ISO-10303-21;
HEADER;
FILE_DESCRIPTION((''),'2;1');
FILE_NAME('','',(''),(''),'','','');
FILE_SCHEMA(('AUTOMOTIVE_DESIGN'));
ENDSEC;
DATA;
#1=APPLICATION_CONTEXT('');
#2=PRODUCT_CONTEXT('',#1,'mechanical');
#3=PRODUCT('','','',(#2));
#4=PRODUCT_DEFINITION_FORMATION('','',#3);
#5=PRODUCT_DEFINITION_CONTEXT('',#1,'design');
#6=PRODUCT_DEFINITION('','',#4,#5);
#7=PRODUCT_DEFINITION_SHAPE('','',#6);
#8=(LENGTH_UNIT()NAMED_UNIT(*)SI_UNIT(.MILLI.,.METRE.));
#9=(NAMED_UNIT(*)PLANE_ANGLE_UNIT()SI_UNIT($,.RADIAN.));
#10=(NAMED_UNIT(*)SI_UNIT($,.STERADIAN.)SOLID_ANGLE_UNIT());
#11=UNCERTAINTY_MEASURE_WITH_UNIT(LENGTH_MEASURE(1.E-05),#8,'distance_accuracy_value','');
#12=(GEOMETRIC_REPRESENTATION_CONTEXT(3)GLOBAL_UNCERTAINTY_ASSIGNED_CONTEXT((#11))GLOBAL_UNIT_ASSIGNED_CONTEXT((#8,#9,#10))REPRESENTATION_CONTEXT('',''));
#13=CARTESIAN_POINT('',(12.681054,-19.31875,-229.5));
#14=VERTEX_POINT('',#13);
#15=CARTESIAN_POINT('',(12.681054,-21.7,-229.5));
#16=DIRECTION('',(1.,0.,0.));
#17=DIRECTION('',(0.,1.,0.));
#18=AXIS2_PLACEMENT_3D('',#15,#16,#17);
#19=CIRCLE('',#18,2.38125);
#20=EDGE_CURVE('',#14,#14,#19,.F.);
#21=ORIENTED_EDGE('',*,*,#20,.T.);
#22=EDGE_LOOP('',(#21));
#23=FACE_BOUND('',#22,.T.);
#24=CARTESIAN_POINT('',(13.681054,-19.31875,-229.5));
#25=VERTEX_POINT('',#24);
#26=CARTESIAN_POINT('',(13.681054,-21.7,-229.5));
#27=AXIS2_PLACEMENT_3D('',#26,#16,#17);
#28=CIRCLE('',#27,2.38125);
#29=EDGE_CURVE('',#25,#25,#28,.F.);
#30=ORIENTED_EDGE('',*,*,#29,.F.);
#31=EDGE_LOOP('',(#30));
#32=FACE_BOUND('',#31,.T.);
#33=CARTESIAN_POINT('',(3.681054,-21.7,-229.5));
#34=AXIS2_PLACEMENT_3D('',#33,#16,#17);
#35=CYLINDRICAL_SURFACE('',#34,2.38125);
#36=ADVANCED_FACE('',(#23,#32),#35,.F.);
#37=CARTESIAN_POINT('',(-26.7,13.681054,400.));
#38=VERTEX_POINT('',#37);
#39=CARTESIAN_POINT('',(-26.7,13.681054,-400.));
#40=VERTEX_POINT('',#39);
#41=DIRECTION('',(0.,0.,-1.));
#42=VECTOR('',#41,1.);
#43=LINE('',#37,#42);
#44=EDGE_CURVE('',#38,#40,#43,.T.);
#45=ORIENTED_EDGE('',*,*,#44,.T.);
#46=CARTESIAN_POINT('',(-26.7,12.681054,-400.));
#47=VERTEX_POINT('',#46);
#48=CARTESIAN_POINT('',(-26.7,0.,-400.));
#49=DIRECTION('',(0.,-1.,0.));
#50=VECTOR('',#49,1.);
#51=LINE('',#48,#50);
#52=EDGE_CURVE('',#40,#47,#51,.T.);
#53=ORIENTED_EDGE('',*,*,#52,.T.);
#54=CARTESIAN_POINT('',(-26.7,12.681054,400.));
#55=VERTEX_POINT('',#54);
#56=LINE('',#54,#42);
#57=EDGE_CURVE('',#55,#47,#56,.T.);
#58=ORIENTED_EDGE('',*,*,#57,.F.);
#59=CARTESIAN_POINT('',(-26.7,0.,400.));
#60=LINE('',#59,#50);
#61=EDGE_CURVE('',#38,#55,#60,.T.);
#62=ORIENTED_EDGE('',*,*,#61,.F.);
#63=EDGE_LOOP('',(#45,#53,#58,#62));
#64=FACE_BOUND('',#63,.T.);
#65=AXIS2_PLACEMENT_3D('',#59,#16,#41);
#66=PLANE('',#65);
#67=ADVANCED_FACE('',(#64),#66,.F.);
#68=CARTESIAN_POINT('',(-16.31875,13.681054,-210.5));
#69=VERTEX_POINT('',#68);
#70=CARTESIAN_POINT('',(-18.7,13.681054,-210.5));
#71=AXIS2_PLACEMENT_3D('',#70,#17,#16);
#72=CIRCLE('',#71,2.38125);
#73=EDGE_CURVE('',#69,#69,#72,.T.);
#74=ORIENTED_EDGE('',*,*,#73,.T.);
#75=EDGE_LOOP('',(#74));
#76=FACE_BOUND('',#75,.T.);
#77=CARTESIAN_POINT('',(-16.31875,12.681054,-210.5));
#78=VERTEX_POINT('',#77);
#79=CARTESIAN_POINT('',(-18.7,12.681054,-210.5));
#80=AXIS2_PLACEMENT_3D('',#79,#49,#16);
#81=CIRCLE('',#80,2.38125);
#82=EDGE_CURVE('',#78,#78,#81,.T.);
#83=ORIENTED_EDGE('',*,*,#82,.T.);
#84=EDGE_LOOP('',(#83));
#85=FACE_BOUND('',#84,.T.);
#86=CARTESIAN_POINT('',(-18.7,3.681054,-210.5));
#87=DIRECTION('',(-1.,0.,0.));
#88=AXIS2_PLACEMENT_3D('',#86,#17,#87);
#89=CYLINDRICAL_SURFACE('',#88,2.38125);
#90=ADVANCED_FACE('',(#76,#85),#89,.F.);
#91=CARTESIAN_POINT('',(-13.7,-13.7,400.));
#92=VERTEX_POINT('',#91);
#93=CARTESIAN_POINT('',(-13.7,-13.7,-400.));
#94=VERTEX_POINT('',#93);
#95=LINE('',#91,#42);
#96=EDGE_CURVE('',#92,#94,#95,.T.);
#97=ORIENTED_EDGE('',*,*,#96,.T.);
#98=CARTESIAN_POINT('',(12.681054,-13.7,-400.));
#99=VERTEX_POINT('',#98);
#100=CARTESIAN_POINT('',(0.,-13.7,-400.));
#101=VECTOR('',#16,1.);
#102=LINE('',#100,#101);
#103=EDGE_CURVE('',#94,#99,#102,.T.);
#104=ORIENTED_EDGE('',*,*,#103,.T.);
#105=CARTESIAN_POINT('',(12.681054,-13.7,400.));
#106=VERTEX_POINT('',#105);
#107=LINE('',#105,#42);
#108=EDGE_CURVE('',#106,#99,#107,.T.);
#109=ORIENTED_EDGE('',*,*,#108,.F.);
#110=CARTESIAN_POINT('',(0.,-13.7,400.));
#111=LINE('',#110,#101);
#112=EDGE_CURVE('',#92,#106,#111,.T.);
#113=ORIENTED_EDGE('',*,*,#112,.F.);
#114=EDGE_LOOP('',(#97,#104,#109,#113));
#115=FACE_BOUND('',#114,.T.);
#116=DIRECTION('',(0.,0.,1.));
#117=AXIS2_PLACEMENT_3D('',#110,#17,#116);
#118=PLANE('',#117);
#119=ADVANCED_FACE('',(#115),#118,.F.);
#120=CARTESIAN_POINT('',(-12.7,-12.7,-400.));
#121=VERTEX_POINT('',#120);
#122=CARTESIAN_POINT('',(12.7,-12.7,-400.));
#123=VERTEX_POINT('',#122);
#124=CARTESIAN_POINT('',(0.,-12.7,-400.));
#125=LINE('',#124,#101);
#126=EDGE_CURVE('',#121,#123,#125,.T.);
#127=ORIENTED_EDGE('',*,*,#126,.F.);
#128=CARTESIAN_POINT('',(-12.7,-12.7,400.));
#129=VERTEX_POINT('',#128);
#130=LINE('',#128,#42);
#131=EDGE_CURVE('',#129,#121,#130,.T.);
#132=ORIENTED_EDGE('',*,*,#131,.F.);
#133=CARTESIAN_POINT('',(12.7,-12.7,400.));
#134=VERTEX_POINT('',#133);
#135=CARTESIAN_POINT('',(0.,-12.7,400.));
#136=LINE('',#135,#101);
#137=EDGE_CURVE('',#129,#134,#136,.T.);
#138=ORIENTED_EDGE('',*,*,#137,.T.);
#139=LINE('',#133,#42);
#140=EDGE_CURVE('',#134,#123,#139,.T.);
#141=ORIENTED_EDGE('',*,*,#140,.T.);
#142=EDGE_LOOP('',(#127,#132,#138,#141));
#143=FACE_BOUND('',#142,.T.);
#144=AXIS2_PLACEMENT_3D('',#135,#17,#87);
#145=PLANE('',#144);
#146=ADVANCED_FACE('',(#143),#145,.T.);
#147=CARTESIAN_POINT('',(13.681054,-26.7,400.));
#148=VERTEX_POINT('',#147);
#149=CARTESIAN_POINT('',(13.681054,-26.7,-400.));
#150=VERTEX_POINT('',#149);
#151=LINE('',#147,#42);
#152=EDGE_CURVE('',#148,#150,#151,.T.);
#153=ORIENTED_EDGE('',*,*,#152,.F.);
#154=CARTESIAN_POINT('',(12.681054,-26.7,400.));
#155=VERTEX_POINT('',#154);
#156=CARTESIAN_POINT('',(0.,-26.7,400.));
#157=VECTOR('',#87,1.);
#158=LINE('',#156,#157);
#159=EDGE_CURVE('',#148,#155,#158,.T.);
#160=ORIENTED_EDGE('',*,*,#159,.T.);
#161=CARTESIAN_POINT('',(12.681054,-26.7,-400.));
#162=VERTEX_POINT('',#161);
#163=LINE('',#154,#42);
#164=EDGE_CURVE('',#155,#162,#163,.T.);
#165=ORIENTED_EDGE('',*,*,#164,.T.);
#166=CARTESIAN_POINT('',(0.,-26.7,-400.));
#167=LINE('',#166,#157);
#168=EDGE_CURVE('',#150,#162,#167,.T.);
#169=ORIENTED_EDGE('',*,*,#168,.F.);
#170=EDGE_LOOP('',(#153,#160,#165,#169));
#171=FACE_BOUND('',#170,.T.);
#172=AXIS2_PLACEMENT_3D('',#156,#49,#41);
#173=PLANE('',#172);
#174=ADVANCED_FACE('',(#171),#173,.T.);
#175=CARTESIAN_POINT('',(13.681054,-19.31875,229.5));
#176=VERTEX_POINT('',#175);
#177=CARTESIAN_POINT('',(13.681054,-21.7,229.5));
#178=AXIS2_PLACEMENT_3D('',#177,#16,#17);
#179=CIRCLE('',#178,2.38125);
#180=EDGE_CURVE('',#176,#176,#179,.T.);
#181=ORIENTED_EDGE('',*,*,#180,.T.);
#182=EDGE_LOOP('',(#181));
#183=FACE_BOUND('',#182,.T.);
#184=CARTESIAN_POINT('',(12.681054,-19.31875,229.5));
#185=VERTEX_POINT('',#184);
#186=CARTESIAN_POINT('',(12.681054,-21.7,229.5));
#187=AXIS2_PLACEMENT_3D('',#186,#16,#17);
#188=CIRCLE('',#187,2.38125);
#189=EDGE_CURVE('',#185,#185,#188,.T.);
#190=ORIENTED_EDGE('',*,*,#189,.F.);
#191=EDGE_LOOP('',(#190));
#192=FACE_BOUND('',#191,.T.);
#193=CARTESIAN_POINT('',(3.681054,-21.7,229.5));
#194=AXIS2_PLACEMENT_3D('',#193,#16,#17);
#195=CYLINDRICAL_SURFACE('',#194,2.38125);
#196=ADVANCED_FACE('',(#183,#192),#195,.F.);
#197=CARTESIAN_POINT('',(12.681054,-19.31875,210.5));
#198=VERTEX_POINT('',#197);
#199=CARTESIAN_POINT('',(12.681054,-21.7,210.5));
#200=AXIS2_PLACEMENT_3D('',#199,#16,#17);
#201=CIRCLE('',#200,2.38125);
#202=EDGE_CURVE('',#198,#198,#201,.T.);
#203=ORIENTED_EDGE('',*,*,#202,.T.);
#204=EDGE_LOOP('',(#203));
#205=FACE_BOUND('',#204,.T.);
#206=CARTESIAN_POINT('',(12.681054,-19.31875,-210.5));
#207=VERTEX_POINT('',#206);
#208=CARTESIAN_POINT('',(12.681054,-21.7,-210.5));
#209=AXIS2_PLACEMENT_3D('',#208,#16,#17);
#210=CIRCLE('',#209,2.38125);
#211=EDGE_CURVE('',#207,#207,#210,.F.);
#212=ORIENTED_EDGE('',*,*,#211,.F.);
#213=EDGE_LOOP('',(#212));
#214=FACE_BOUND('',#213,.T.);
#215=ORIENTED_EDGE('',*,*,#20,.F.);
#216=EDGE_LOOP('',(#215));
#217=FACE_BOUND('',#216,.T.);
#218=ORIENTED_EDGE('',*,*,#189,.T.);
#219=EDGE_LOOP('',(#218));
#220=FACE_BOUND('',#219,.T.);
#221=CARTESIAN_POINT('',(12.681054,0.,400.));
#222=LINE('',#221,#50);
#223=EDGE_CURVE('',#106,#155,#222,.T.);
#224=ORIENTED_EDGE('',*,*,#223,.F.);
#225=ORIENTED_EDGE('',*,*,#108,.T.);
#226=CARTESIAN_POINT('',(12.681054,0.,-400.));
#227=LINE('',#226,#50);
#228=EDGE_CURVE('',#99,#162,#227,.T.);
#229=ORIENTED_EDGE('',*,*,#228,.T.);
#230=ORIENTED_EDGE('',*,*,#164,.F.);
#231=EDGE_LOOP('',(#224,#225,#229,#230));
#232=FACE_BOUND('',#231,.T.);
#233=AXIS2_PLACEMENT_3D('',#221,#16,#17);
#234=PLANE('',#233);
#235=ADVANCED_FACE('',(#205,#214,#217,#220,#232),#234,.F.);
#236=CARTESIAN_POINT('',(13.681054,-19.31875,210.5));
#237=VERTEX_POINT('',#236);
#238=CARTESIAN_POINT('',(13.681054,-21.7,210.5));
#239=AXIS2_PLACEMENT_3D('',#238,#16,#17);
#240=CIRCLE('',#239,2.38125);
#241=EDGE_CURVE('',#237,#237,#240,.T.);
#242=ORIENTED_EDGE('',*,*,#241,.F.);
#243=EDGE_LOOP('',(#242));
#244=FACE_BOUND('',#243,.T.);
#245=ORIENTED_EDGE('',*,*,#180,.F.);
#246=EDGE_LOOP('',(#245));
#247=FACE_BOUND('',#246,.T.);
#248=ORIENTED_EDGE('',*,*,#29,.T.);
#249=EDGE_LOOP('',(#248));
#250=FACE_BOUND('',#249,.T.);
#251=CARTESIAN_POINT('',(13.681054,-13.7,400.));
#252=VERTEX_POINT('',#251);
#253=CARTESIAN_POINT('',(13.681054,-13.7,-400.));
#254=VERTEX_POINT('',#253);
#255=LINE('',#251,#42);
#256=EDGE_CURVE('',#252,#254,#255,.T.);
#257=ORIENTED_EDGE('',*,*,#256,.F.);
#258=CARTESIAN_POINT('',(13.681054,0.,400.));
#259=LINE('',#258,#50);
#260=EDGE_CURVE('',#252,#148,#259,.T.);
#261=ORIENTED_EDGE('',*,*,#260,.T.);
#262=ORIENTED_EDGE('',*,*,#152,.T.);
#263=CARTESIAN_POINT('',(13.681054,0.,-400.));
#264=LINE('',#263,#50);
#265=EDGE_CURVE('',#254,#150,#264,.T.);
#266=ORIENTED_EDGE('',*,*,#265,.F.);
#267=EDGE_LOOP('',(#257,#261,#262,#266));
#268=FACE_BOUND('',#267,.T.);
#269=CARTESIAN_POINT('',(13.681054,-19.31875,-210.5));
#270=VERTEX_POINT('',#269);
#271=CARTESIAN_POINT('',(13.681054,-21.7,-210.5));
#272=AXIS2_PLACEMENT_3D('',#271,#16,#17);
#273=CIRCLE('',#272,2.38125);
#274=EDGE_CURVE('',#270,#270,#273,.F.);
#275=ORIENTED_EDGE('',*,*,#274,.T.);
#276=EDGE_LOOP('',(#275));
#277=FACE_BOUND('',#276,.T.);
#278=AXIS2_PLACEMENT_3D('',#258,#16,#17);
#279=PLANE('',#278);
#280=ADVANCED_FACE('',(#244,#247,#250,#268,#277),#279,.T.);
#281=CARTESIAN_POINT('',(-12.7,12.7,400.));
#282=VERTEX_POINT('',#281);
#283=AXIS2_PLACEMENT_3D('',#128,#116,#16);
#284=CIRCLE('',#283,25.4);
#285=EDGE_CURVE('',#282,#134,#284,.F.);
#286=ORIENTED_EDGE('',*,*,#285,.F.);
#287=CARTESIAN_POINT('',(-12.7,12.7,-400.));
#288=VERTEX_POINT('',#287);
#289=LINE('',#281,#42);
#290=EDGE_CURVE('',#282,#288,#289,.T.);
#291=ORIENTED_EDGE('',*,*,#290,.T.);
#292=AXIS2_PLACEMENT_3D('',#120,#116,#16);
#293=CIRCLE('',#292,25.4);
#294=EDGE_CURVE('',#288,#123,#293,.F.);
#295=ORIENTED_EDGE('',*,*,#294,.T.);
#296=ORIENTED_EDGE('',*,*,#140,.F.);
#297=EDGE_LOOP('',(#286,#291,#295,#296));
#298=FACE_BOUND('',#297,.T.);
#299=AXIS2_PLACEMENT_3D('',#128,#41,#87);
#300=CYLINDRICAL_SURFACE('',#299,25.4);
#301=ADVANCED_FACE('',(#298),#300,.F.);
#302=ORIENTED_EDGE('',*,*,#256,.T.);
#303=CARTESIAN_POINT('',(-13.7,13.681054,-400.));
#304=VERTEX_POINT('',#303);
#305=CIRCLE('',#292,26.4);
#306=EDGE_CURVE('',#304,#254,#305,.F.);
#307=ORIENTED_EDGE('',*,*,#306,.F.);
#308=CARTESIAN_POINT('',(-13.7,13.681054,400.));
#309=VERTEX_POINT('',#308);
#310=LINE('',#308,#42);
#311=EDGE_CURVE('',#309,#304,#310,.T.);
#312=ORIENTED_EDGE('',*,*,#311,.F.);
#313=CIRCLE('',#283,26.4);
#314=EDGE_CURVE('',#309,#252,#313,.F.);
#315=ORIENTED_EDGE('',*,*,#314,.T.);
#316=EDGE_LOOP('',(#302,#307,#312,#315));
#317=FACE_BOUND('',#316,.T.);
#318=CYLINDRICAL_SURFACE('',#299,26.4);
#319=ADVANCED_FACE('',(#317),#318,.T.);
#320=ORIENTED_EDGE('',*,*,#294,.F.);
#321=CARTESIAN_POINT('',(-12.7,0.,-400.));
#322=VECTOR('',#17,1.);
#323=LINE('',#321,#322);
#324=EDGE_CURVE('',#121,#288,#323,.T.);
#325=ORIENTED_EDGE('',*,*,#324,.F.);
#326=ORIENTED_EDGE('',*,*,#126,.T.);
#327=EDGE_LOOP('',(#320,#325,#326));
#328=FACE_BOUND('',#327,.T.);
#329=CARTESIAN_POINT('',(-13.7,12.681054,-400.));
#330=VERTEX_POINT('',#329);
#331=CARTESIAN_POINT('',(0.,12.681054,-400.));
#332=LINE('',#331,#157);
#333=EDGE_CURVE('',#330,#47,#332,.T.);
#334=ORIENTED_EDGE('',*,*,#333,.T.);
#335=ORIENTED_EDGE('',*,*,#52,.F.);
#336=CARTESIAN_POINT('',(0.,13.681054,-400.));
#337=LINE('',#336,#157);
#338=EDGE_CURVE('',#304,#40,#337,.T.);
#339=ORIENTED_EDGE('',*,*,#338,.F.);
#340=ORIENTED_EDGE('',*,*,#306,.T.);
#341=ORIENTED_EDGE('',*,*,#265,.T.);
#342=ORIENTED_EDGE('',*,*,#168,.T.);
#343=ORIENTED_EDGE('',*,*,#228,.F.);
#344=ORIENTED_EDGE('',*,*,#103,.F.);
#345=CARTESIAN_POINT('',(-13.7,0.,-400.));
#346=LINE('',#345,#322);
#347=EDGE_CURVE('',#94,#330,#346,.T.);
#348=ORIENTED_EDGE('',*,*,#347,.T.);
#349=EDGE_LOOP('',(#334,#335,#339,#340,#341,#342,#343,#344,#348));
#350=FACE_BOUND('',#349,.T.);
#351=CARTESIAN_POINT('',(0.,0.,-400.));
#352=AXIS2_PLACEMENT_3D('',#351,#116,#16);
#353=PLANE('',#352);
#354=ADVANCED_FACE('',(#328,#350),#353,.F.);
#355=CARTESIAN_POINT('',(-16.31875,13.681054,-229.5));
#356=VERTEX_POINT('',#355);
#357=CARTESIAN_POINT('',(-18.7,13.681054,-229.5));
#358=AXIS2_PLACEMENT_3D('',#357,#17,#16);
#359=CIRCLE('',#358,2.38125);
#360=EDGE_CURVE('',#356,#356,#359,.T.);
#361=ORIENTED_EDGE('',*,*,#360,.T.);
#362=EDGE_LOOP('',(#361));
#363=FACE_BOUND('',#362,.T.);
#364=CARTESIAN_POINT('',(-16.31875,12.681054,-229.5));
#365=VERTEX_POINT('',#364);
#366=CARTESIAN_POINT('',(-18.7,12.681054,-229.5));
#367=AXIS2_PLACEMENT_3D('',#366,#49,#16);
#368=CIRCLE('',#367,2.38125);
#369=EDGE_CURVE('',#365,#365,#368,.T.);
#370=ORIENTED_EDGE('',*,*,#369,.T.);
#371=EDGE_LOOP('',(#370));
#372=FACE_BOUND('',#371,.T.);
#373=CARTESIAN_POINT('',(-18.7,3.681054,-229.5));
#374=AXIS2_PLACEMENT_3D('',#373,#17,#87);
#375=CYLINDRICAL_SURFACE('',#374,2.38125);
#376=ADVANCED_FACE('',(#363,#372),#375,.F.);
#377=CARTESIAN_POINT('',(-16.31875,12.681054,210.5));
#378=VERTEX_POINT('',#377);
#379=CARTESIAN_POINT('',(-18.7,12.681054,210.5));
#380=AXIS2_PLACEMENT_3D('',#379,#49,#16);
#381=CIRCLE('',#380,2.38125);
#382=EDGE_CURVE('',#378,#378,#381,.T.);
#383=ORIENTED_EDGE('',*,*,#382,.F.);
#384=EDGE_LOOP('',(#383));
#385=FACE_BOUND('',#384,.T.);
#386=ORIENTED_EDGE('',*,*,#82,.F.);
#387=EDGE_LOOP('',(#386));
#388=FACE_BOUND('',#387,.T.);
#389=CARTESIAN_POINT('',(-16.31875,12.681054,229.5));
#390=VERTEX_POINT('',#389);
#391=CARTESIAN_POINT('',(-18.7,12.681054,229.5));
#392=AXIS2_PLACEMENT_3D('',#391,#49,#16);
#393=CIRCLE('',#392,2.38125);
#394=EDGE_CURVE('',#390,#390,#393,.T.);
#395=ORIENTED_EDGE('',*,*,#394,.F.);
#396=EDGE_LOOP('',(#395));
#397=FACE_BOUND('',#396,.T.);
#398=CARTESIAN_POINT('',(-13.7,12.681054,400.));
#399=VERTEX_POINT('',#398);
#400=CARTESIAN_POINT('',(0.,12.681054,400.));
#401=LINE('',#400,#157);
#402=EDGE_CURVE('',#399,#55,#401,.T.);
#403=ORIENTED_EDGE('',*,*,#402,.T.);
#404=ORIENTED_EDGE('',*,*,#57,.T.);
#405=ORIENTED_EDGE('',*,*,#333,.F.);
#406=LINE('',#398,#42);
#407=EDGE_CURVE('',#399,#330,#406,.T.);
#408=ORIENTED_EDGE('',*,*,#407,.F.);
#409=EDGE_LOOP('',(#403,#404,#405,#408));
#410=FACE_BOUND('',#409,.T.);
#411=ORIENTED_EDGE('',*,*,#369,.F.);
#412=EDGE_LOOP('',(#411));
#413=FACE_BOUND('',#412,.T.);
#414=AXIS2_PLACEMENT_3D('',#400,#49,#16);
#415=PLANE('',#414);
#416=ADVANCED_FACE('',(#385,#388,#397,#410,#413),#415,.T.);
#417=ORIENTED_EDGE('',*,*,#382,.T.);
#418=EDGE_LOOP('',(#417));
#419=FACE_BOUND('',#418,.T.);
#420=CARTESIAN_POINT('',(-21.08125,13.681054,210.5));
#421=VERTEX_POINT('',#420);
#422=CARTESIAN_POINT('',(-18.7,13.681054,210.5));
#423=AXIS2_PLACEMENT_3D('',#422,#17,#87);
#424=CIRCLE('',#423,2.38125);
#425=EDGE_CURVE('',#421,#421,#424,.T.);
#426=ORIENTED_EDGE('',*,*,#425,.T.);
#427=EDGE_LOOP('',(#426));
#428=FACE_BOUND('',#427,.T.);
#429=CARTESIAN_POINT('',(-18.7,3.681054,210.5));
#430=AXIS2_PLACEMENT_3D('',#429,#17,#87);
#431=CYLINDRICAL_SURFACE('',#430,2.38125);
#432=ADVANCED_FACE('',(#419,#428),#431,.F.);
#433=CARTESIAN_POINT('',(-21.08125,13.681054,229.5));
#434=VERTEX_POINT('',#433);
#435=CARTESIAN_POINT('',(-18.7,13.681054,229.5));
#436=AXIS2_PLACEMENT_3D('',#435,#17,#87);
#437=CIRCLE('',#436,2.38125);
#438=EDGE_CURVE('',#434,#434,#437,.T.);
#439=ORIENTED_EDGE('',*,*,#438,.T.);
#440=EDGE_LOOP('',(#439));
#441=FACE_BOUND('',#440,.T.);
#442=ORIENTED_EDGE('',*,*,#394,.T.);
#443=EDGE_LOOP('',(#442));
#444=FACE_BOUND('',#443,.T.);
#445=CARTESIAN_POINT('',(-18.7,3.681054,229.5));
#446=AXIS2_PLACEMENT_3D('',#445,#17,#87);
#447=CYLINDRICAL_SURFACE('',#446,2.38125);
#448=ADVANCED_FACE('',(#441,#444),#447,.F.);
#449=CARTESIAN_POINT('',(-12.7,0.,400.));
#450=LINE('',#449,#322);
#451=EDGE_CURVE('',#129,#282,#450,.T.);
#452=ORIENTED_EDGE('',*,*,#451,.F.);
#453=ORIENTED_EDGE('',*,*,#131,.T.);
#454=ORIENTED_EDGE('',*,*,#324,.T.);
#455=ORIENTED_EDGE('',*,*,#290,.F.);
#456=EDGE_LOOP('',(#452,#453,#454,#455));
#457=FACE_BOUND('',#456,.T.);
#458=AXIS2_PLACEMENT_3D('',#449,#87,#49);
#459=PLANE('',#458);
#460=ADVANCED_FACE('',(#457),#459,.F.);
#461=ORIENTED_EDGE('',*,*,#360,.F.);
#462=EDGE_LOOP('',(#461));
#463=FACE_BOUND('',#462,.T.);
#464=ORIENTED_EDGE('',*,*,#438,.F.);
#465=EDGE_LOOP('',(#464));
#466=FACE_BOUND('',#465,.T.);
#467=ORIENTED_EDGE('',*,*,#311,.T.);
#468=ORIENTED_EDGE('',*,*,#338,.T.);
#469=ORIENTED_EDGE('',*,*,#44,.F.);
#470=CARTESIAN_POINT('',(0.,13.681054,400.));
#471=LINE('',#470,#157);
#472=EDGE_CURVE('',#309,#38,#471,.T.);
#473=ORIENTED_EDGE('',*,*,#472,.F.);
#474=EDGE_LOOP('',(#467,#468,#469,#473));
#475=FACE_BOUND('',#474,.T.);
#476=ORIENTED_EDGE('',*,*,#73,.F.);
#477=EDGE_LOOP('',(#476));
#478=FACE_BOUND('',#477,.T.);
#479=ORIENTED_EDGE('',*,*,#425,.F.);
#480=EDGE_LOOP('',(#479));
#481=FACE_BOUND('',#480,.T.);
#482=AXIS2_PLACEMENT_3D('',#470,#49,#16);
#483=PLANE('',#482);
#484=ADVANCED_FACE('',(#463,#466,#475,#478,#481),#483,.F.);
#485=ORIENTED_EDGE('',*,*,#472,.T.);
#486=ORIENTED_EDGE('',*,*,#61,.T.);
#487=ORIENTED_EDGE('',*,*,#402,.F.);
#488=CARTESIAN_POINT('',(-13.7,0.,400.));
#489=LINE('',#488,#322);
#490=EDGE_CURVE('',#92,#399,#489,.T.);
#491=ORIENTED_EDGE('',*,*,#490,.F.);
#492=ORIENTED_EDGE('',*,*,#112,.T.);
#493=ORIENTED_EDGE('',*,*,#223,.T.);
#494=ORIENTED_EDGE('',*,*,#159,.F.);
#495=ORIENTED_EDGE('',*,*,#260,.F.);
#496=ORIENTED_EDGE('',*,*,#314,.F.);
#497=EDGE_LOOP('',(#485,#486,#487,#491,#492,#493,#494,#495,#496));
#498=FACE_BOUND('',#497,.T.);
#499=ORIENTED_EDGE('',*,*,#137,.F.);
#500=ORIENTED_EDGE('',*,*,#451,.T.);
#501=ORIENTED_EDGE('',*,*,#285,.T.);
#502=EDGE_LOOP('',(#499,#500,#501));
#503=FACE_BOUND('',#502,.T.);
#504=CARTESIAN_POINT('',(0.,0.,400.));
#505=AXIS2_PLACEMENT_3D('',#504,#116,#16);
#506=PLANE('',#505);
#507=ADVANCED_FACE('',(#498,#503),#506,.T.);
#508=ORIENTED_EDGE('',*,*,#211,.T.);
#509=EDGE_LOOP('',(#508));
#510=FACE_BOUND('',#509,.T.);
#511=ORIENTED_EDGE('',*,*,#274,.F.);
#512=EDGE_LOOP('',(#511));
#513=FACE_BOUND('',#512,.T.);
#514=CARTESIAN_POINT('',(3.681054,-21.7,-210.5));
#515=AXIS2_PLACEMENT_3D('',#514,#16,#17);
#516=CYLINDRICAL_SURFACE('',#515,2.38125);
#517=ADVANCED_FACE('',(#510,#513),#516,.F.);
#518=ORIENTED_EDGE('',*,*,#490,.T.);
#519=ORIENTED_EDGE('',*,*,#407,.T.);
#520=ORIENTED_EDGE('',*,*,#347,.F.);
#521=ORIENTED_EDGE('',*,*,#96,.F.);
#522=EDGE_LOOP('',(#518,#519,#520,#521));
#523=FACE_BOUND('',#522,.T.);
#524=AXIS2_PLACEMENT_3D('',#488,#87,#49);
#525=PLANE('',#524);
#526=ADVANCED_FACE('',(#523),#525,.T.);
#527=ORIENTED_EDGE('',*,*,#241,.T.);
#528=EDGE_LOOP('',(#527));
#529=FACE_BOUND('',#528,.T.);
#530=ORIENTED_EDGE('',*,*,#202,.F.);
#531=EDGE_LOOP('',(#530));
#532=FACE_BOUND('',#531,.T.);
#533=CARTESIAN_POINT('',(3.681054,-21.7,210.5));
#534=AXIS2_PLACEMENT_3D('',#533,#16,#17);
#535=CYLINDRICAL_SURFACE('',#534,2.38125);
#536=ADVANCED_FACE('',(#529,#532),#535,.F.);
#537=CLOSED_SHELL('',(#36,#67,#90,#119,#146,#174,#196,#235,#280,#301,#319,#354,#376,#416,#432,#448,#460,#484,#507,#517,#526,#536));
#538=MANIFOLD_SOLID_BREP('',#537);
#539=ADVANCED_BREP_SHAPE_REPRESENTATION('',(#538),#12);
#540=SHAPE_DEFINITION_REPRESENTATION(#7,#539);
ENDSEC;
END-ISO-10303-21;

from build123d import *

# Parameters (mm, degrees)
CROQUIS1_W              = 13
CROQUIS1_H              = 1
CROQUIS1_W_2            = 1
CROQUIS1_H_2            = 13
SALIENTE_EXTRUIR1_DEPTH = 400
CROQUIS2_R              = 2.38125
CORTAR_EXTRUIR1_DEPTH   = 10
CROQUIS3_R              = 2.38125
CORTAR_EXTRUIR2_DEPTH   = 10


with BuildPart() as part:
    # Croquis1 → Saliente-Extruir1 (new body, symmetric)
    with BuildSketch(Plane.XY):
        with BuildLine():
            ThreePointArc((-13.7, 13.681053808), (5.967619023, 5.967619023), (13.681053808, -13.7))
            Line((13.681053808, -13.7), (-13.7, -13.7))
            Line((-13.7, -13.7), (-13.7, 13.681053808))
        make_face()
        with BuildLine():
            Line((-12.7, -12.7), (-12.7, 12.7))
            ThreePointArc((-12.7, 12.7), (5.260512242, 5.260512242), (12.7, -12.7))
            Line((12.7, -12.7), (-12.7, -12.7))
        make_face(mode=Mode.SUBTRACT)
        with Locations((-20.2, 13.181053808)):
            Rectangle(CROQUIS1_W, CROQUIS1_H)
        with Locations((13.181053808, -20.2)):
            Rectangle(CROQUIS1_W_2, CROQUIS1_H_2)
    extrude(amount=SALIENTE_EXTRUIR1_DEPTH, both=True)

    # Croquis2 → Cortar-Extruir1 (cut)
    with BuildSketch(Plane(origin=(0, 13.681053808, 0), x_dir=(1, 0, 0), z_dir=(0, 1, 0))):
        with Locations((-18.7, -210.5)):
            Circle(CROQUIS2_R)
        with Locations((-18.7, -229.5)):
            Circle(CROQUIS2_R)
        with Locations((-18.7, 229.5)):
            Circle(CROQUIS2_R)
        with Locations((-18.7, 210.5)):
            Circle(CROQUIS2_R)
    extrude(amount=-CORTAR_EXTRUIR1_DEPTH, mode=Mode.SUBTRACT)

    # Croquis3 → Cortar-Extruir2 (cut)
    with BuildSketch(Plane(origin=(13.681053808, 0, 0), x_dir=(0, 0, -1), z_dir=(1, 0, 0))):
        with Locations((-229.5, -21.7)):
            Circle(CROQUIS3_R)
        with Locations((-210.5, -21.7)):
            Circle(CROQUIS3_R)
        with Locations((210.5, -21.7)):
            Circle(CROQUIS3_R)
        with Locations((229.5, -21.7)):
            Circle(CROQUIS3_R)
    extrude(amount=-CORTAR_EXTRUIR2_DEPTH, mode=Mode.SUBTRACT)


solid = part.part
